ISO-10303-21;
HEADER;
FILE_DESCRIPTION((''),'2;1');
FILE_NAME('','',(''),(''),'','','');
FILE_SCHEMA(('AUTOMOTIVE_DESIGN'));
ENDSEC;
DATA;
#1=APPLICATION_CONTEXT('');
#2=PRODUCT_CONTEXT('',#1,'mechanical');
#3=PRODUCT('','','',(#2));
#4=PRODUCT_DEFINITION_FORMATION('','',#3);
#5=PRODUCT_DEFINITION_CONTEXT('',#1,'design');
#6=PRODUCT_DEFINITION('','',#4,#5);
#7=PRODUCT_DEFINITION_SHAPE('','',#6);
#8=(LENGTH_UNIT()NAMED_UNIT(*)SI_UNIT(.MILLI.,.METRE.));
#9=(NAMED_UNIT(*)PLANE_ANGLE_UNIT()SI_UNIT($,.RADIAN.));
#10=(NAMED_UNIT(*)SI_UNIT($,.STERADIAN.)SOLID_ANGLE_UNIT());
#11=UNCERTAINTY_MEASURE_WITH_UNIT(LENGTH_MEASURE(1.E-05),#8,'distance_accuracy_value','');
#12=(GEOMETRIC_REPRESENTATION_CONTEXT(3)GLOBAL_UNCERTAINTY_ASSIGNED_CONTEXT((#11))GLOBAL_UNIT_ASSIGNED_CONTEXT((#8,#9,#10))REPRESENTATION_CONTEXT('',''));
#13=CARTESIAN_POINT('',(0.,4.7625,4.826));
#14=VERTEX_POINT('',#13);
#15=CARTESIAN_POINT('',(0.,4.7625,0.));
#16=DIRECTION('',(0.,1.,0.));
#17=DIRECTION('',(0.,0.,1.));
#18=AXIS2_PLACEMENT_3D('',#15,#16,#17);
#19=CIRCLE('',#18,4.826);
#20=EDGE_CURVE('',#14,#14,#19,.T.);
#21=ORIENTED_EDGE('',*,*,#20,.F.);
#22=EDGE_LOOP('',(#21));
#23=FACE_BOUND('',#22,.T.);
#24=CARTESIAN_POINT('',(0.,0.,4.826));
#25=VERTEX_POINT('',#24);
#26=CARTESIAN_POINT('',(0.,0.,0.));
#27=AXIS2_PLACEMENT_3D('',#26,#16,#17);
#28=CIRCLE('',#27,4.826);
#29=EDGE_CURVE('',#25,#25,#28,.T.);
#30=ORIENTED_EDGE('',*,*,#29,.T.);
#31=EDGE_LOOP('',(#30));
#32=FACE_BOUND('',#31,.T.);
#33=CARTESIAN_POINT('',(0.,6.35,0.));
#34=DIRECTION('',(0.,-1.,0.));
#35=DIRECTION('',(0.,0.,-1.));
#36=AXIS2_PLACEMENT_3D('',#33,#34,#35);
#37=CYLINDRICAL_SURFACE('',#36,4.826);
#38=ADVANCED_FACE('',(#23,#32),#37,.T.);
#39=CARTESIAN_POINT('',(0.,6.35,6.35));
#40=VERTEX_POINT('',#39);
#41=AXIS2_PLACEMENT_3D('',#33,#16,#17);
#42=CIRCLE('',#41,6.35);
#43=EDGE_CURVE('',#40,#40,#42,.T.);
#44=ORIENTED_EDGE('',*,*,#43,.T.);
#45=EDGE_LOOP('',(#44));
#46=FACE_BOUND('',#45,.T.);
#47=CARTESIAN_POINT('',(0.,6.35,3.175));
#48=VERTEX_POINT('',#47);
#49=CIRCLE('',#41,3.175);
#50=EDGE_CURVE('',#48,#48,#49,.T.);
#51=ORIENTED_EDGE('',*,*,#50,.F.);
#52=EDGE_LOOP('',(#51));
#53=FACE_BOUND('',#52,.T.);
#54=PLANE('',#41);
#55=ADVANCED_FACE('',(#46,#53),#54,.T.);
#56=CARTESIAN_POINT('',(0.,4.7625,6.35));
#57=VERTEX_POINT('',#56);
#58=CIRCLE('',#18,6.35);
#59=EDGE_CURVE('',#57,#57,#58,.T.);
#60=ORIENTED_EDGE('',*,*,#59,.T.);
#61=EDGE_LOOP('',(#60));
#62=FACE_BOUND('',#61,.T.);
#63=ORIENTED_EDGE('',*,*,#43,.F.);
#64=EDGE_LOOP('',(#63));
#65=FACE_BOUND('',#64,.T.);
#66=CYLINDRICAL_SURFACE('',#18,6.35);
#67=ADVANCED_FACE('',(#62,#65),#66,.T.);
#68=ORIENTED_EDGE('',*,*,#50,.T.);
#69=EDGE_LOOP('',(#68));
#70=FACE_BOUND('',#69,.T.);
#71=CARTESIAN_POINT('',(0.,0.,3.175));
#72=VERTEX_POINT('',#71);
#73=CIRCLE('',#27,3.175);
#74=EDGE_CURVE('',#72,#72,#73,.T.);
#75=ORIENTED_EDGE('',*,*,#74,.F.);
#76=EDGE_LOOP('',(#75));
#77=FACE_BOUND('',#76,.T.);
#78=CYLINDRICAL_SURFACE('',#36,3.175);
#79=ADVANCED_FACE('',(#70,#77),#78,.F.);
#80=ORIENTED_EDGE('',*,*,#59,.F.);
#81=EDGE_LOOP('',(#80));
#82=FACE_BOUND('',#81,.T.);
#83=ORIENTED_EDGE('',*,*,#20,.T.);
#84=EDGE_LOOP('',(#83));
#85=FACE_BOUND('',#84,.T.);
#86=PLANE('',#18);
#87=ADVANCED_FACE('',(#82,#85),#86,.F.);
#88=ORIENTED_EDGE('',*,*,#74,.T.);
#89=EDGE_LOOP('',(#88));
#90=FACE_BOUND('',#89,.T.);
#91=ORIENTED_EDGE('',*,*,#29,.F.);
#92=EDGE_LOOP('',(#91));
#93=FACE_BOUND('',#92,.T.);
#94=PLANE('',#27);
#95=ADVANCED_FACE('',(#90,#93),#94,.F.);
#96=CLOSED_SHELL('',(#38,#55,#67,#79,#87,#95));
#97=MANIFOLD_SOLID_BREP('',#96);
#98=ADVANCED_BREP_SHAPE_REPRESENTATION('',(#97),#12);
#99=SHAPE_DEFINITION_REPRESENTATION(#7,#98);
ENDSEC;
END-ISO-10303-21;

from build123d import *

# Parameters (mm, degrees)
SKETCH1_R           = 4.826
SKETCH1_R_2         = 3.175
BOSS_EXTRUDE1_DEPTH = 6.35
BOSS_EXTRUDE2_START = -1.5875
SKETCH2_R           = 6.35
SKETCH2_R_2         = 4.826
BOSS_EXTRUDE2_DEPTH = 1.5875


with BuildPart() as part:
    # Sketch1 → Boss-Extrude1 (new body)
    with BuildSketch(Plane(origin=(0, 0, 0), x_dir=(1, 0, 0), z_dir=(0, 1, 0))):
        with Locations(Location((0, 0, 0), (0, 0, 270))):
            Circle(SKETCH1_R)
        with Locations(Location((0, 0, 0), (0, 0, 270))):
            Circle(SKETCH1_R_2, mode=Mode.SUBTRACT)
    extrude(amount=BOSS_EXTRUDE1_DEPTH)

    # Sketch2 → Boss-Extrude2 (add)
    with BuildSketch(Plane(origin=(0, 6.35, 0), x_dir=(1, 0, 0), z_dir=(0, 1, 0)).offset(BOSS_EXTRUDE2_START)):
        with Locations(Location((0, 0, 0), (0, 0, 270))):
            Circle(SKETCH2_R)
        with Locations(Location((0, 0, 0), (0, 0, 270))):
            Circle(SKETCH2_R_2, mode=Mode.SUBTRACT)
    extrude(amount=BOSS_EXTRUDE2_DEPTH)


solid = part.part
